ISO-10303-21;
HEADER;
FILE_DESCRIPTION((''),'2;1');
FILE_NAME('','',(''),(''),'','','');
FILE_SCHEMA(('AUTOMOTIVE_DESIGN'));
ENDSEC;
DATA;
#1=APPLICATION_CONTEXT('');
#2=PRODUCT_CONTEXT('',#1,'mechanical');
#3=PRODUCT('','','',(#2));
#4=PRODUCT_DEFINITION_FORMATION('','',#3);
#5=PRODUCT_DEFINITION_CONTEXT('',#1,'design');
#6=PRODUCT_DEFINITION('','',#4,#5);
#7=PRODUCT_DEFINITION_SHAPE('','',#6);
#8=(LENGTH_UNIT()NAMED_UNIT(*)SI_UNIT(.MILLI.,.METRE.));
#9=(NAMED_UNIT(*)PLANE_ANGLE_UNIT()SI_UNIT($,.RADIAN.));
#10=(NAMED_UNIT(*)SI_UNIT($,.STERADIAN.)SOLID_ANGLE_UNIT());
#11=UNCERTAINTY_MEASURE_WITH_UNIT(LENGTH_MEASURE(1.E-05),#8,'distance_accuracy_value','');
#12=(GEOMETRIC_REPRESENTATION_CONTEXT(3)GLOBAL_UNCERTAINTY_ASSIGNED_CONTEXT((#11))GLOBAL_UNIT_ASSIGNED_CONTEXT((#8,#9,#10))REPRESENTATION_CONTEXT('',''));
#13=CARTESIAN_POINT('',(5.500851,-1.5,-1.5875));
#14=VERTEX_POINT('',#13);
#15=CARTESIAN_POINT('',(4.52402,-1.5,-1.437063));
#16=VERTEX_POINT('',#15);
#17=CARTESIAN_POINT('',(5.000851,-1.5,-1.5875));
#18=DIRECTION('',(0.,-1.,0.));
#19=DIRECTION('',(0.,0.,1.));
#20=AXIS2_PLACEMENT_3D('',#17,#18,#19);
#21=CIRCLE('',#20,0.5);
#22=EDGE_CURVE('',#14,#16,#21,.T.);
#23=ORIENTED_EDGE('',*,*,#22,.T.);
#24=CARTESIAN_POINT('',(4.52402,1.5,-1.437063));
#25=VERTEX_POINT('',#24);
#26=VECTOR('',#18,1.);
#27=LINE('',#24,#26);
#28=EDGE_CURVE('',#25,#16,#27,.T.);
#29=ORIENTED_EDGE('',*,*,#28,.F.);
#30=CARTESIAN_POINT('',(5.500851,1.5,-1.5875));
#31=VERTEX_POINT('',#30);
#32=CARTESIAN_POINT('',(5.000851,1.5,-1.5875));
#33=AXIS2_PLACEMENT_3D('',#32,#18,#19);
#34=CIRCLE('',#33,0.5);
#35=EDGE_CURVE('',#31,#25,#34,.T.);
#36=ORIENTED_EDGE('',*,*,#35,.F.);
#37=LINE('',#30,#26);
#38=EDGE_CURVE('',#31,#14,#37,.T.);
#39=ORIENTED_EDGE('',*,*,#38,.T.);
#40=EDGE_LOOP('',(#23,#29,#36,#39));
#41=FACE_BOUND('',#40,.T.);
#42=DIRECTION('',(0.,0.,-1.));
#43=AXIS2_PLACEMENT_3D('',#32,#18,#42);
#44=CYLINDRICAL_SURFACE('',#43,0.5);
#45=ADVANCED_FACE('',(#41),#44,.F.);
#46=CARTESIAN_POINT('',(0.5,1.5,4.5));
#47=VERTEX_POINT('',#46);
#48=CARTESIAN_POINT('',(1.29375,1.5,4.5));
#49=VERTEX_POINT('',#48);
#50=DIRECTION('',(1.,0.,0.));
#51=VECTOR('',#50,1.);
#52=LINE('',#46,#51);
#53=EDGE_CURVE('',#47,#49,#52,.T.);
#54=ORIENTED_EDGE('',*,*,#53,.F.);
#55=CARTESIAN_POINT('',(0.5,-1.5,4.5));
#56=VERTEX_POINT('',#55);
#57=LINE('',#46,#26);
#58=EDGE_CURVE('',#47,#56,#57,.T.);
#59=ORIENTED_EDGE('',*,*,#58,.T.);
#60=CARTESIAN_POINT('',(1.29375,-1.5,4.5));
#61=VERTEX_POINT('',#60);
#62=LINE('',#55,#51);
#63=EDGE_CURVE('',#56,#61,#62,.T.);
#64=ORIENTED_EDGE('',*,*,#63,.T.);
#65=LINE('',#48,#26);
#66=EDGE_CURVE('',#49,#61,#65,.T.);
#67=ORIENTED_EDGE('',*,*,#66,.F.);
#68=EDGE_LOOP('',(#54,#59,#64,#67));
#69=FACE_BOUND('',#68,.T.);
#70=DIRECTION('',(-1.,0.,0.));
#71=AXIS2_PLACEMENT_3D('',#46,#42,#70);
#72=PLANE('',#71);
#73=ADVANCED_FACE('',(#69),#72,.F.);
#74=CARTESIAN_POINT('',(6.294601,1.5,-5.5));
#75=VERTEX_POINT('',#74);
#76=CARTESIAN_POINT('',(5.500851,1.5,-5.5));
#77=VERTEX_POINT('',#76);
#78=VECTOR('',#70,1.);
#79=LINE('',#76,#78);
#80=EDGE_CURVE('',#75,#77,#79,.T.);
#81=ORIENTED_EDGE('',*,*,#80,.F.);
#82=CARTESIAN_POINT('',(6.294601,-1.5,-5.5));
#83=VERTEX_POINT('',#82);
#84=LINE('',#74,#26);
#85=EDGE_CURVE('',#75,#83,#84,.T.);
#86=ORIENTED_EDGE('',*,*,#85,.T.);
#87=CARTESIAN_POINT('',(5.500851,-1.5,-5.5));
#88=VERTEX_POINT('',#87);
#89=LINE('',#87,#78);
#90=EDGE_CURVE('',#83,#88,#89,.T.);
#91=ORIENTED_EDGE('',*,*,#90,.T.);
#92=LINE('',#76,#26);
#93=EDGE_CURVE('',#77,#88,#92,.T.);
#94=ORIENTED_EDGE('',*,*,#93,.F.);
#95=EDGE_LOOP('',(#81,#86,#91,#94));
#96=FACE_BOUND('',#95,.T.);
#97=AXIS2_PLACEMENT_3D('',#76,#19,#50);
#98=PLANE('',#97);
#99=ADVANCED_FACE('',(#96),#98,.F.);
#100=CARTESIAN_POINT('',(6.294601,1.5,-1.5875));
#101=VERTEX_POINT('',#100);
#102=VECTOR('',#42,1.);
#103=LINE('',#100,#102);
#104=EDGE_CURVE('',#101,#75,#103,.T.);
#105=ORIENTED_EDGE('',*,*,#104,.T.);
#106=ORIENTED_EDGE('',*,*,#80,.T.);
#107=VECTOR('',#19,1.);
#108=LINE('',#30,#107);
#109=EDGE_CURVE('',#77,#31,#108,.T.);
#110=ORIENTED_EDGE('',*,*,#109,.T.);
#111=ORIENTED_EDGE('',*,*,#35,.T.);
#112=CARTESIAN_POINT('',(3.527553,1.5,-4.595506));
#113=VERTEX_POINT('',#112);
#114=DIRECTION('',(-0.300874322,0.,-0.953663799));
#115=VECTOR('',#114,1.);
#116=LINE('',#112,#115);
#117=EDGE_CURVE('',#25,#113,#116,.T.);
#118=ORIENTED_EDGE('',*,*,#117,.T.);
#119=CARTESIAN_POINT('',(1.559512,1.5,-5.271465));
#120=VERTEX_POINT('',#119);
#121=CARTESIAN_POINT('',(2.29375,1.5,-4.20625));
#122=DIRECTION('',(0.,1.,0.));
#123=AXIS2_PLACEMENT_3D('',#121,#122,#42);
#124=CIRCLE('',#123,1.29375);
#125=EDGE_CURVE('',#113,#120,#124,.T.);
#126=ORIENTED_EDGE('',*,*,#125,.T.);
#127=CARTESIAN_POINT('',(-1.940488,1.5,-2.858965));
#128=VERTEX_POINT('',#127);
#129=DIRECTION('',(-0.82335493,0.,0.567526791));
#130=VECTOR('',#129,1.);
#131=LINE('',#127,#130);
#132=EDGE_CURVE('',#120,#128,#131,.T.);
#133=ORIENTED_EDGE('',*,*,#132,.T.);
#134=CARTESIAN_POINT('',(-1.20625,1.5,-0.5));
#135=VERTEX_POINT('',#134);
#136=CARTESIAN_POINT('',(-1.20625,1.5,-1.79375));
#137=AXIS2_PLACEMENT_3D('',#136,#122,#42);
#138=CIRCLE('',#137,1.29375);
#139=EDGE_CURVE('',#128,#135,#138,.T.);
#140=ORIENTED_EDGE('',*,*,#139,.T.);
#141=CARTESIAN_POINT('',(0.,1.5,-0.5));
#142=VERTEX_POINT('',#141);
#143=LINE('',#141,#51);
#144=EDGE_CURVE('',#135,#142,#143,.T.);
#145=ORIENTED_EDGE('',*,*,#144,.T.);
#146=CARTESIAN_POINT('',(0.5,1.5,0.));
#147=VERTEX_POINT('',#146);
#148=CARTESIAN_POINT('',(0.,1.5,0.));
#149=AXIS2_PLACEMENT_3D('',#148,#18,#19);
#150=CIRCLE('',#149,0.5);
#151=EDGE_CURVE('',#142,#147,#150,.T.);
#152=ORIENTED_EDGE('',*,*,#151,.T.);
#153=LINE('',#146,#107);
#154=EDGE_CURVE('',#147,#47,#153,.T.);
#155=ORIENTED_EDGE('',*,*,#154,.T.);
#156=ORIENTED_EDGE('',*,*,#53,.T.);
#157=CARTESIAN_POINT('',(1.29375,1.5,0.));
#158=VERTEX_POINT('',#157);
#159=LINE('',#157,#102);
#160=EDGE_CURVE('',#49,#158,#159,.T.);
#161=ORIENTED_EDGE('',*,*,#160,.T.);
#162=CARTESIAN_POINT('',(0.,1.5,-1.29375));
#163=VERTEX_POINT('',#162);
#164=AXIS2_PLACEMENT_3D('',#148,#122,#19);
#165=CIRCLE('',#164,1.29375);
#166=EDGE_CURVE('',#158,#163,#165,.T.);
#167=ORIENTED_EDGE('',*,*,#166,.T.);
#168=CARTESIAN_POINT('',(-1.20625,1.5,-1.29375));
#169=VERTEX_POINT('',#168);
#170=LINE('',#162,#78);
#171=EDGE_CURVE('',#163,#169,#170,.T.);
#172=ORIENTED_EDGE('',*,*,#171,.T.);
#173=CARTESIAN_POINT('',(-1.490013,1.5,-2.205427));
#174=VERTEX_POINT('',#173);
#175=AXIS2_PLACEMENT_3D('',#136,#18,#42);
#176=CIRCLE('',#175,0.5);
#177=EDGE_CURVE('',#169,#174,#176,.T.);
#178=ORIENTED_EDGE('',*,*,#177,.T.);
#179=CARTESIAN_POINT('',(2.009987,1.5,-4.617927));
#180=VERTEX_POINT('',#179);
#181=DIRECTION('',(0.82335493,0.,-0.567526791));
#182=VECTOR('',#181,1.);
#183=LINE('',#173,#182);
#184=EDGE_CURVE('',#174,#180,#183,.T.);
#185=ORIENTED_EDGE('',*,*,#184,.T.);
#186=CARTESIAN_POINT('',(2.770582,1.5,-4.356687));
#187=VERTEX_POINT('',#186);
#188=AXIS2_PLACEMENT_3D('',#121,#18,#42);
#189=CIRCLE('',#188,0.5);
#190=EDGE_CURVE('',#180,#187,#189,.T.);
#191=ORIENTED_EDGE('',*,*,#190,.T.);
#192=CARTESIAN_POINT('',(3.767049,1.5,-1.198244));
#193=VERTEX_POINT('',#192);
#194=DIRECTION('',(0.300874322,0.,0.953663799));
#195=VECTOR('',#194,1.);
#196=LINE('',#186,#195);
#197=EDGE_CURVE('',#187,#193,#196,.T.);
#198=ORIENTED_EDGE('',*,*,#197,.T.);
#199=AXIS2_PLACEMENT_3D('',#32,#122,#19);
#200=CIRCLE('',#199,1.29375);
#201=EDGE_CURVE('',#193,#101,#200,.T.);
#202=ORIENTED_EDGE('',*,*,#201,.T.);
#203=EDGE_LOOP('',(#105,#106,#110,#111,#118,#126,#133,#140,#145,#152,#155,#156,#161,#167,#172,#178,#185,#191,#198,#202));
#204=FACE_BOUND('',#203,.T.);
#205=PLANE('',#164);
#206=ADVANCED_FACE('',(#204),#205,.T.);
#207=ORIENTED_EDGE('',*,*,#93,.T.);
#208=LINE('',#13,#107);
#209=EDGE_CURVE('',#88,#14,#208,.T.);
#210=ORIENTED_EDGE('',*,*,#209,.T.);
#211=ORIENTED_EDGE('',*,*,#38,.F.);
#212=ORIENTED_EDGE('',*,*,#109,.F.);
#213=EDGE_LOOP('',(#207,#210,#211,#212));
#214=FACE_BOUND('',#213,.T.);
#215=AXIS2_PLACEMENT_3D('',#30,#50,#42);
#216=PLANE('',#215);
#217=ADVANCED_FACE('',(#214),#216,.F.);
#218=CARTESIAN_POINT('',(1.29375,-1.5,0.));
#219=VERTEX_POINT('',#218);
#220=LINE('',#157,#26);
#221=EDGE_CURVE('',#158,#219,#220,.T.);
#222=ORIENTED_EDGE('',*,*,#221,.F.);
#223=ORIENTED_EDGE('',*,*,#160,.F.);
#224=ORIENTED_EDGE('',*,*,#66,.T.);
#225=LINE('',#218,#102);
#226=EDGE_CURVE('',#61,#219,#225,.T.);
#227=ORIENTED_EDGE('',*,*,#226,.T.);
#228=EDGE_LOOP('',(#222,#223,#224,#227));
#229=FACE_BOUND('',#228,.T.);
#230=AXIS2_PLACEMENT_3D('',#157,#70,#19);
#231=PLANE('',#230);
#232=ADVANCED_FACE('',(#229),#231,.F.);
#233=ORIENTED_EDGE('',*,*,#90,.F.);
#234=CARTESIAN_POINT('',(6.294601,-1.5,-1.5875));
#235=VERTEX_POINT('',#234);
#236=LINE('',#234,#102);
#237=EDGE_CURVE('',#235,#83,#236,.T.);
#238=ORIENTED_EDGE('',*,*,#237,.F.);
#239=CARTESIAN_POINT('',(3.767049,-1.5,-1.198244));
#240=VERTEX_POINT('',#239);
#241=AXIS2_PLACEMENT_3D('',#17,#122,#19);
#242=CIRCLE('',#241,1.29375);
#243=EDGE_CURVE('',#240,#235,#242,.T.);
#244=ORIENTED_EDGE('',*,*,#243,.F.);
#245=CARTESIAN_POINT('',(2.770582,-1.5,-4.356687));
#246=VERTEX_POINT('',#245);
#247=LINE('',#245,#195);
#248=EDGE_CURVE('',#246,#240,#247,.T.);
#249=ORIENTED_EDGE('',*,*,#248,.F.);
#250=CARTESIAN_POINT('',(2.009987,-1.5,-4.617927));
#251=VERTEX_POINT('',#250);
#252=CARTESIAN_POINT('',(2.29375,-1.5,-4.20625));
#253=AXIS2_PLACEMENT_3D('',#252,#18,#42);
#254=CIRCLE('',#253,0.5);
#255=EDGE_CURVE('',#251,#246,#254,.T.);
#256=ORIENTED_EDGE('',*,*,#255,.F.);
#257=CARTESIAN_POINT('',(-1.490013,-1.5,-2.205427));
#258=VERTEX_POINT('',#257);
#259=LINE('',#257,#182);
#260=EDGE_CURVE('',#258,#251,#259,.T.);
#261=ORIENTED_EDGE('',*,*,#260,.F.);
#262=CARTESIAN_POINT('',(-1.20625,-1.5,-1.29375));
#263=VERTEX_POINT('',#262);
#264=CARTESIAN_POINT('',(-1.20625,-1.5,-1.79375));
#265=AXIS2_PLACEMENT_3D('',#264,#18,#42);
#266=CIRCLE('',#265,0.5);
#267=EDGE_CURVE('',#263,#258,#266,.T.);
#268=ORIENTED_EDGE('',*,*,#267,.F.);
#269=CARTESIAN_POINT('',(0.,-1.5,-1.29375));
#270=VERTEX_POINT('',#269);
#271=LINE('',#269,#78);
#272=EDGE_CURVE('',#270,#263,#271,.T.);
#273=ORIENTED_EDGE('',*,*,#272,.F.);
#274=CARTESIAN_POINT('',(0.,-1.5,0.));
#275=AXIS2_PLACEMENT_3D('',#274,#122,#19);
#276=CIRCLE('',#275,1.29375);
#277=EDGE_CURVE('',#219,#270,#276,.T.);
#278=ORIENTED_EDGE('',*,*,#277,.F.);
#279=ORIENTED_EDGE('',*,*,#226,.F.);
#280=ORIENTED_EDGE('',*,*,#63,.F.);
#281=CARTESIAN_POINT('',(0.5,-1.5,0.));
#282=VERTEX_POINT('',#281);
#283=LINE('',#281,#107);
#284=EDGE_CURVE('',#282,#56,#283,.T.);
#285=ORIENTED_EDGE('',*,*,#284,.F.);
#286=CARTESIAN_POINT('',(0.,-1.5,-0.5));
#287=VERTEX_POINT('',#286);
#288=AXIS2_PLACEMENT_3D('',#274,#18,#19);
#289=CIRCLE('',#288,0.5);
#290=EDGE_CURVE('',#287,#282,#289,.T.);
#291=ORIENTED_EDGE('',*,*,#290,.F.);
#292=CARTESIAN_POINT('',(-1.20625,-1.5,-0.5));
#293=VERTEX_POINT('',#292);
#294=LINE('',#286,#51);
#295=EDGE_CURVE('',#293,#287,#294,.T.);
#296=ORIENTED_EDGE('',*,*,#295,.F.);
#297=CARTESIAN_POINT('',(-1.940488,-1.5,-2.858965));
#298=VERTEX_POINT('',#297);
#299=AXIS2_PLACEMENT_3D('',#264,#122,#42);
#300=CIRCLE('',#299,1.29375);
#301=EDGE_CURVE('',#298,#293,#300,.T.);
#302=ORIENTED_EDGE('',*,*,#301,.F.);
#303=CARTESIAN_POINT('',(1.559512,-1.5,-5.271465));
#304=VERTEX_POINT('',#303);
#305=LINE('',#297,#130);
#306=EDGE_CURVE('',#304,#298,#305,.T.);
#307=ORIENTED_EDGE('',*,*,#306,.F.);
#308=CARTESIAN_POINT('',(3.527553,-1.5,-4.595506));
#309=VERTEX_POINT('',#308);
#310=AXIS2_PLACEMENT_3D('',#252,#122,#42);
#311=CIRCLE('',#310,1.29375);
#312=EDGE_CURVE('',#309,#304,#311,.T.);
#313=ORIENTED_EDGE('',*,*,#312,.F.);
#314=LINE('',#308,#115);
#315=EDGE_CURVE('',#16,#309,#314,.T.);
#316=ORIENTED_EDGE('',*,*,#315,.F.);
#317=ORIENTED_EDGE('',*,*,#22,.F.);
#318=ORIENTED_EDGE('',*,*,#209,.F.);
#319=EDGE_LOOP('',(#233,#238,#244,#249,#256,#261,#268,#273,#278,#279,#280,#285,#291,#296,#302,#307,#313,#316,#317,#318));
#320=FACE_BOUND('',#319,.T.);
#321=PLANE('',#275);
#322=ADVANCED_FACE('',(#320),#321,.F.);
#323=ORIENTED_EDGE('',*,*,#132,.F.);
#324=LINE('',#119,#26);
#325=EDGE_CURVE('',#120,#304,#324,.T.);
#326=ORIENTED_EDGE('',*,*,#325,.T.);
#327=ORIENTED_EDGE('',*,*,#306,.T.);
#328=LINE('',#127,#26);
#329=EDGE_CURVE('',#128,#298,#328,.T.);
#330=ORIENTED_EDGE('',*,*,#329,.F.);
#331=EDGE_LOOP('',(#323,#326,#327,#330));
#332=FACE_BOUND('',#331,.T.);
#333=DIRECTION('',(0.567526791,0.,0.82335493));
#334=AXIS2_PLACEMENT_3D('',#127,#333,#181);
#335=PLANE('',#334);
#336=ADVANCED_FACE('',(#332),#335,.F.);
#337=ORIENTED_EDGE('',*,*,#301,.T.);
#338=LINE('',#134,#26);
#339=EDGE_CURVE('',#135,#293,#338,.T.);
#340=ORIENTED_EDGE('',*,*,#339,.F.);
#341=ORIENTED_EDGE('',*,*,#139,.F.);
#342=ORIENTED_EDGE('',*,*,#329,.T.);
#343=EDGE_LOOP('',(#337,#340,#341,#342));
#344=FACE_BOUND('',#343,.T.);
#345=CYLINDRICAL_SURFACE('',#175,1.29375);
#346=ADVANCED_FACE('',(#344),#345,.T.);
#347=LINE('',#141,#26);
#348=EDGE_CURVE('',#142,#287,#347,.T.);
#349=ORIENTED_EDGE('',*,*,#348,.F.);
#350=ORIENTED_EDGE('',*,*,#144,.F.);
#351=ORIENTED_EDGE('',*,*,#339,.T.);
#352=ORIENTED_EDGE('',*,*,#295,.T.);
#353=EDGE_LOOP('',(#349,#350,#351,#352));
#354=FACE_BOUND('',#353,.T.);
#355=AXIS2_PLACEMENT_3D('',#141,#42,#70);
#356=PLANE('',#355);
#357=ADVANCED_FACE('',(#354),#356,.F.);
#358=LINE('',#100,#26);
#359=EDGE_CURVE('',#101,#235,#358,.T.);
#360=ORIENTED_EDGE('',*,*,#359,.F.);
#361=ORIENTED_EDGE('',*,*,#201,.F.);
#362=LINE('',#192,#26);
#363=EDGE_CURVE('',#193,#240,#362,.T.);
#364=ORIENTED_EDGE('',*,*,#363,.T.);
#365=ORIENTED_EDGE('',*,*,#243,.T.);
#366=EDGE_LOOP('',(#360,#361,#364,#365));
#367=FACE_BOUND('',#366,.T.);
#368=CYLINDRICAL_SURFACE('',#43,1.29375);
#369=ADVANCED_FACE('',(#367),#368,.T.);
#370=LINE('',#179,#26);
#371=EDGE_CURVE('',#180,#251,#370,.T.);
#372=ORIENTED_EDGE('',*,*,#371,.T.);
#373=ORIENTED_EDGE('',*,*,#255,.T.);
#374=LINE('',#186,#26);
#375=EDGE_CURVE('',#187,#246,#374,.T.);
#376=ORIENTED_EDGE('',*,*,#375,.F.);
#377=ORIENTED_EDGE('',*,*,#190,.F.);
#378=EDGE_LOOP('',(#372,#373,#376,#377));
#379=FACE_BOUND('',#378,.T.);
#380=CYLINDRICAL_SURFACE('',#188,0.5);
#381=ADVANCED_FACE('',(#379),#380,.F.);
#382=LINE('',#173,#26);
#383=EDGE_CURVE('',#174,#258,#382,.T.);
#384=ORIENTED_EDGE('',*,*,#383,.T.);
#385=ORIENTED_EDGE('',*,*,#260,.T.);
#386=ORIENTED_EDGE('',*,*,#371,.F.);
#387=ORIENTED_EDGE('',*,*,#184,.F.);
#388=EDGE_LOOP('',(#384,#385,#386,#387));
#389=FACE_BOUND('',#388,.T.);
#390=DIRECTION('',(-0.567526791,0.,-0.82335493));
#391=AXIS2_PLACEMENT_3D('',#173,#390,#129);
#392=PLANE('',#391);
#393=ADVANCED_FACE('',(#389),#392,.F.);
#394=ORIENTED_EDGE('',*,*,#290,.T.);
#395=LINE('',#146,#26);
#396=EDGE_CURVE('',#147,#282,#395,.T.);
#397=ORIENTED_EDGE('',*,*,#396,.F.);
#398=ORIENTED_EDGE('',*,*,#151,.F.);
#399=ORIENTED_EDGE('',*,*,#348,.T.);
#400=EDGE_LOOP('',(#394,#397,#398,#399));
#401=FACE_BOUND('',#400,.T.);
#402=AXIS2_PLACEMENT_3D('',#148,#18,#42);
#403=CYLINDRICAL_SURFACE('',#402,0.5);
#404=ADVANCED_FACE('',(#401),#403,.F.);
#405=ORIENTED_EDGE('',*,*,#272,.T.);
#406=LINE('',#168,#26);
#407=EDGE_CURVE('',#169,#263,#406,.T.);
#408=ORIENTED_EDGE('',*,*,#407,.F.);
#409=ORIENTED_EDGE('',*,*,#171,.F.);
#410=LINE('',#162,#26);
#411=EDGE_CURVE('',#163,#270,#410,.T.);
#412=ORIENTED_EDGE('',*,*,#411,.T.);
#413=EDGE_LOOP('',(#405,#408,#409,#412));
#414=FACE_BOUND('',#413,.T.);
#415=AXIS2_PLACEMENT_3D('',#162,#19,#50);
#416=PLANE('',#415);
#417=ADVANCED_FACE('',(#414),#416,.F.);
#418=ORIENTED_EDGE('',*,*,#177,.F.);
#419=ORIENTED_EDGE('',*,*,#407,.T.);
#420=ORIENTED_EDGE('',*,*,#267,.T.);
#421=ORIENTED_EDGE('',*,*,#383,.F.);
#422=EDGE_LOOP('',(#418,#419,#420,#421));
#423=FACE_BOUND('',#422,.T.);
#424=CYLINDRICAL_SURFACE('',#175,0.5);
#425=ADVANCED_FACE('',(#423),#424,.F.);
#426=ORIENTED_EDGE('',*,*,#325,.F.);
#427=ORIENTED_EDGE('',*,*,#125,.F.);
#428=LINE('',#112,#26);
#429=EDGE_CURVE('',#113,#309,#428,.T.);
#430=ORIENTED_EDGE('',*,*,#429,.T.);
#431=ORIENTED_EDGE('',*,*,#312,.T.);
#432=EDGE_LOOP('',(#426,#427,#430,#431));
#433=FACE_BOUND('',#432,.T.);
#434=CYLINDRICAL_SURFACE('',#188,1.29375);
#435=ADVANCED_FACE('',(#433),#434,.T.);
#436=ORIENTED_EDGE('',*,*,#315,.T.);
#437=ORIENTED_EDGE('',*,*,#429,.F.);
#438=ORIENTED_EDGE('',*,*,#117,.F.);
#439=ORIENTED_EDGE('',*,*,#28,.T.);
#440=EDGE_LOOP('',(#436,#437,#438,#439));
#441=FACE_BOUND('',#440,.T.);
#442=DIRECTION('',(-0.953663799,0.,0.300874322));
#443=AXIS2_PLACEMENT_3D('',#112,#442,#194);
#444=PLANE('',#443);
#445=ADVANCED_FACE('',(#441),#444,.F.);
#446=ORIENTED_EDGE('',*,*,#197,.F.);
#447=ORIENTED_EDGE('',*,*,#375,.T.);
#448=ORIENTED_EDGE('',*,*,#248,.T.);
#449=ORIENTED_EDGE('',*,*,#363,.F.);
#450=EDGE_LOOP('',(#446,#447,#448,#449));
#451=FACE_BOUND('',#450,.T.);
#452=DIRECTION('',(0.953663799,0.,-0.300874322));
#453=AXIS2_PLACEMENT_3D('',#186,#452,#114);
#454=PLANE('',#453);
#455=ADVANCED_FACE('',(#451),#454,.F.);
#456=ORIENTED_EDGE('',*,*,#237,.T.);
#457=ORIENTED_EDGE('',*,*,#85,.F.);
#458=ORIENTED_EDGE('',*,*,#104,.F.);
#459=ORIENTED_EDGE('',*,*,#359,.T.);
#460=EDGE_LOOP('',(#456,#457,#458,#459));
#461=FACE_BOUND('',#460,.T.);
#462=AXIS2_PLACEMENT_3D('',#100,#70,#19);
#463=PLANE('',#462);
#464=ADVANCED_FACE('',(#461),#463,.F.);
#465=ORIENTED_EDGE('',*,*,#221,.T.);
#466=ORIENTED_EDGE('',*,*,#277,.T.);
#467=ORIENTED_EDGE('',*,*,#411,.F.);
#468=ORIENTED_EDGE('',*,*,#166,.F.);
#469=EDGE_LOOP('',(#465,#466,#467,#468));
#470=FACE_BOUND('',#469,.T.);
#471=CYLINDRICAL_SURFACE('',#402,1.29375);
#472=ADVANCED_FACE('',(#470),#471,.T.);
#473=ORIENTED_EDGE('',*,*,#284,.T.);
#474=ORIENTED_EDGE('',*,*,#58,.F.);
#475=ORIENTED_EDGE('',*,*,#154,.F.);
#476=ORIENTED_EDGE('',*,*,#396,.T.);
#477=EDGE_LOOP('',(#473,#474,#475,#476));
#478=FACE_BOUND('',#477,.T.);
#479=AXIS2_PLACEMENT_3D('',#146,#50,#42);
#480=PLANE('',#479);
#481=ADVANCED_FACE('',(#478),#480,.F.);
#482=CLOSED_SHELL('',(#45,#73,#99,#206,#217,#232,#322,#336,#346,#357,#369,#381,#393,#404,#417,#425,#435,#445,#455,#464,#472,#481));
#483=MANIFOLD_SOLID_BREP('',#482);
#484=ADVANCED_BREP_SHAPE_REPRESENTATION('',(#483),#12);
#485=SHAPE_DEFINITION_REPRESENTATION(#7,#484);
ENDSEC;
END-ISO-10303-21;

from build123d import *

# Parameters (mm, degrees)
BOSS_EXTRUDE1_DEPTH = 1.5


with BuildPart() as part:
    # Sketch1 → Boss-Extrude1 (new, symmetric)
    with BuildSketch(Plane(origin=(0, 0, 0), x_dir=(1, 0, 0), z_dir=(0, 1, 0))):
        with BuildLine():
            Line((1.29375, 0), (1.29375, -4.5))
            Line((1.29375, -4.5), (0.5, -4.5))
            Line((0.5, -4.5), (0.5, 0))
            ThreePointArc((0.5, 0), (0.353553391, 0.353553391), (0, 0.5))
            Line((0, 0.5), (-1.20625, 0.5))
            ThreePointArc((-1.20625, 0.5), (-2.441545823, 1.409259047), (-1.940487786, 2.858965441))
            Line((-1.940487786, 2.858965441), (1.559512214, 5.271465441))
            ThreePointArc((1.559512214, 5.271465441), (2.714013578, 5.429837997), (3.52755254, 4.595506155))
            Line((3.52755254, 4.595506155), (4.524019527, 1.437062839))
            ThreePointArc((4.524019527, 1.437062839), (5.076956782, 1.093325967), (5.500851427, 1.5875))
            Line((5.500851427, 1.5875), (5.500851427, 5.5))
            Line((5.500851427, 5.5), (6.294601427, 5.5))
            Line((6.294601427, 5.5), (6.294601427, 1.5875))
            ThreePointArc((6.294601427, 1.5875), (5.197774033, 0.30882469), (3.767048886, 1.198243845))
            Line((3.767048886, 1.198243845), (2.7705819, 4.356687161))
            ThreePointArc((2.7705819, 4.356687161), (2.456170707, 4.67913425), (2.009986604, 4.617927465))
            Line((2.009986604, 4.617927465), (-1.490013396, 2.205427465))
            ThreePointArc((-1.490013396, 2.205427465), (-1.683659014, 1.645154463), (-1.20625, 1.29375))
            Line((-1.20625, 1.29375), (0, 1.29375))
            ThreePointArc((0, 1.29375), (0.914819398, 0.914819398), (1.29375, 0))
        make_face()
    extrude(amount=BOSS_EXTRUDE1_DEPTH, both=True)


solid = part.part
